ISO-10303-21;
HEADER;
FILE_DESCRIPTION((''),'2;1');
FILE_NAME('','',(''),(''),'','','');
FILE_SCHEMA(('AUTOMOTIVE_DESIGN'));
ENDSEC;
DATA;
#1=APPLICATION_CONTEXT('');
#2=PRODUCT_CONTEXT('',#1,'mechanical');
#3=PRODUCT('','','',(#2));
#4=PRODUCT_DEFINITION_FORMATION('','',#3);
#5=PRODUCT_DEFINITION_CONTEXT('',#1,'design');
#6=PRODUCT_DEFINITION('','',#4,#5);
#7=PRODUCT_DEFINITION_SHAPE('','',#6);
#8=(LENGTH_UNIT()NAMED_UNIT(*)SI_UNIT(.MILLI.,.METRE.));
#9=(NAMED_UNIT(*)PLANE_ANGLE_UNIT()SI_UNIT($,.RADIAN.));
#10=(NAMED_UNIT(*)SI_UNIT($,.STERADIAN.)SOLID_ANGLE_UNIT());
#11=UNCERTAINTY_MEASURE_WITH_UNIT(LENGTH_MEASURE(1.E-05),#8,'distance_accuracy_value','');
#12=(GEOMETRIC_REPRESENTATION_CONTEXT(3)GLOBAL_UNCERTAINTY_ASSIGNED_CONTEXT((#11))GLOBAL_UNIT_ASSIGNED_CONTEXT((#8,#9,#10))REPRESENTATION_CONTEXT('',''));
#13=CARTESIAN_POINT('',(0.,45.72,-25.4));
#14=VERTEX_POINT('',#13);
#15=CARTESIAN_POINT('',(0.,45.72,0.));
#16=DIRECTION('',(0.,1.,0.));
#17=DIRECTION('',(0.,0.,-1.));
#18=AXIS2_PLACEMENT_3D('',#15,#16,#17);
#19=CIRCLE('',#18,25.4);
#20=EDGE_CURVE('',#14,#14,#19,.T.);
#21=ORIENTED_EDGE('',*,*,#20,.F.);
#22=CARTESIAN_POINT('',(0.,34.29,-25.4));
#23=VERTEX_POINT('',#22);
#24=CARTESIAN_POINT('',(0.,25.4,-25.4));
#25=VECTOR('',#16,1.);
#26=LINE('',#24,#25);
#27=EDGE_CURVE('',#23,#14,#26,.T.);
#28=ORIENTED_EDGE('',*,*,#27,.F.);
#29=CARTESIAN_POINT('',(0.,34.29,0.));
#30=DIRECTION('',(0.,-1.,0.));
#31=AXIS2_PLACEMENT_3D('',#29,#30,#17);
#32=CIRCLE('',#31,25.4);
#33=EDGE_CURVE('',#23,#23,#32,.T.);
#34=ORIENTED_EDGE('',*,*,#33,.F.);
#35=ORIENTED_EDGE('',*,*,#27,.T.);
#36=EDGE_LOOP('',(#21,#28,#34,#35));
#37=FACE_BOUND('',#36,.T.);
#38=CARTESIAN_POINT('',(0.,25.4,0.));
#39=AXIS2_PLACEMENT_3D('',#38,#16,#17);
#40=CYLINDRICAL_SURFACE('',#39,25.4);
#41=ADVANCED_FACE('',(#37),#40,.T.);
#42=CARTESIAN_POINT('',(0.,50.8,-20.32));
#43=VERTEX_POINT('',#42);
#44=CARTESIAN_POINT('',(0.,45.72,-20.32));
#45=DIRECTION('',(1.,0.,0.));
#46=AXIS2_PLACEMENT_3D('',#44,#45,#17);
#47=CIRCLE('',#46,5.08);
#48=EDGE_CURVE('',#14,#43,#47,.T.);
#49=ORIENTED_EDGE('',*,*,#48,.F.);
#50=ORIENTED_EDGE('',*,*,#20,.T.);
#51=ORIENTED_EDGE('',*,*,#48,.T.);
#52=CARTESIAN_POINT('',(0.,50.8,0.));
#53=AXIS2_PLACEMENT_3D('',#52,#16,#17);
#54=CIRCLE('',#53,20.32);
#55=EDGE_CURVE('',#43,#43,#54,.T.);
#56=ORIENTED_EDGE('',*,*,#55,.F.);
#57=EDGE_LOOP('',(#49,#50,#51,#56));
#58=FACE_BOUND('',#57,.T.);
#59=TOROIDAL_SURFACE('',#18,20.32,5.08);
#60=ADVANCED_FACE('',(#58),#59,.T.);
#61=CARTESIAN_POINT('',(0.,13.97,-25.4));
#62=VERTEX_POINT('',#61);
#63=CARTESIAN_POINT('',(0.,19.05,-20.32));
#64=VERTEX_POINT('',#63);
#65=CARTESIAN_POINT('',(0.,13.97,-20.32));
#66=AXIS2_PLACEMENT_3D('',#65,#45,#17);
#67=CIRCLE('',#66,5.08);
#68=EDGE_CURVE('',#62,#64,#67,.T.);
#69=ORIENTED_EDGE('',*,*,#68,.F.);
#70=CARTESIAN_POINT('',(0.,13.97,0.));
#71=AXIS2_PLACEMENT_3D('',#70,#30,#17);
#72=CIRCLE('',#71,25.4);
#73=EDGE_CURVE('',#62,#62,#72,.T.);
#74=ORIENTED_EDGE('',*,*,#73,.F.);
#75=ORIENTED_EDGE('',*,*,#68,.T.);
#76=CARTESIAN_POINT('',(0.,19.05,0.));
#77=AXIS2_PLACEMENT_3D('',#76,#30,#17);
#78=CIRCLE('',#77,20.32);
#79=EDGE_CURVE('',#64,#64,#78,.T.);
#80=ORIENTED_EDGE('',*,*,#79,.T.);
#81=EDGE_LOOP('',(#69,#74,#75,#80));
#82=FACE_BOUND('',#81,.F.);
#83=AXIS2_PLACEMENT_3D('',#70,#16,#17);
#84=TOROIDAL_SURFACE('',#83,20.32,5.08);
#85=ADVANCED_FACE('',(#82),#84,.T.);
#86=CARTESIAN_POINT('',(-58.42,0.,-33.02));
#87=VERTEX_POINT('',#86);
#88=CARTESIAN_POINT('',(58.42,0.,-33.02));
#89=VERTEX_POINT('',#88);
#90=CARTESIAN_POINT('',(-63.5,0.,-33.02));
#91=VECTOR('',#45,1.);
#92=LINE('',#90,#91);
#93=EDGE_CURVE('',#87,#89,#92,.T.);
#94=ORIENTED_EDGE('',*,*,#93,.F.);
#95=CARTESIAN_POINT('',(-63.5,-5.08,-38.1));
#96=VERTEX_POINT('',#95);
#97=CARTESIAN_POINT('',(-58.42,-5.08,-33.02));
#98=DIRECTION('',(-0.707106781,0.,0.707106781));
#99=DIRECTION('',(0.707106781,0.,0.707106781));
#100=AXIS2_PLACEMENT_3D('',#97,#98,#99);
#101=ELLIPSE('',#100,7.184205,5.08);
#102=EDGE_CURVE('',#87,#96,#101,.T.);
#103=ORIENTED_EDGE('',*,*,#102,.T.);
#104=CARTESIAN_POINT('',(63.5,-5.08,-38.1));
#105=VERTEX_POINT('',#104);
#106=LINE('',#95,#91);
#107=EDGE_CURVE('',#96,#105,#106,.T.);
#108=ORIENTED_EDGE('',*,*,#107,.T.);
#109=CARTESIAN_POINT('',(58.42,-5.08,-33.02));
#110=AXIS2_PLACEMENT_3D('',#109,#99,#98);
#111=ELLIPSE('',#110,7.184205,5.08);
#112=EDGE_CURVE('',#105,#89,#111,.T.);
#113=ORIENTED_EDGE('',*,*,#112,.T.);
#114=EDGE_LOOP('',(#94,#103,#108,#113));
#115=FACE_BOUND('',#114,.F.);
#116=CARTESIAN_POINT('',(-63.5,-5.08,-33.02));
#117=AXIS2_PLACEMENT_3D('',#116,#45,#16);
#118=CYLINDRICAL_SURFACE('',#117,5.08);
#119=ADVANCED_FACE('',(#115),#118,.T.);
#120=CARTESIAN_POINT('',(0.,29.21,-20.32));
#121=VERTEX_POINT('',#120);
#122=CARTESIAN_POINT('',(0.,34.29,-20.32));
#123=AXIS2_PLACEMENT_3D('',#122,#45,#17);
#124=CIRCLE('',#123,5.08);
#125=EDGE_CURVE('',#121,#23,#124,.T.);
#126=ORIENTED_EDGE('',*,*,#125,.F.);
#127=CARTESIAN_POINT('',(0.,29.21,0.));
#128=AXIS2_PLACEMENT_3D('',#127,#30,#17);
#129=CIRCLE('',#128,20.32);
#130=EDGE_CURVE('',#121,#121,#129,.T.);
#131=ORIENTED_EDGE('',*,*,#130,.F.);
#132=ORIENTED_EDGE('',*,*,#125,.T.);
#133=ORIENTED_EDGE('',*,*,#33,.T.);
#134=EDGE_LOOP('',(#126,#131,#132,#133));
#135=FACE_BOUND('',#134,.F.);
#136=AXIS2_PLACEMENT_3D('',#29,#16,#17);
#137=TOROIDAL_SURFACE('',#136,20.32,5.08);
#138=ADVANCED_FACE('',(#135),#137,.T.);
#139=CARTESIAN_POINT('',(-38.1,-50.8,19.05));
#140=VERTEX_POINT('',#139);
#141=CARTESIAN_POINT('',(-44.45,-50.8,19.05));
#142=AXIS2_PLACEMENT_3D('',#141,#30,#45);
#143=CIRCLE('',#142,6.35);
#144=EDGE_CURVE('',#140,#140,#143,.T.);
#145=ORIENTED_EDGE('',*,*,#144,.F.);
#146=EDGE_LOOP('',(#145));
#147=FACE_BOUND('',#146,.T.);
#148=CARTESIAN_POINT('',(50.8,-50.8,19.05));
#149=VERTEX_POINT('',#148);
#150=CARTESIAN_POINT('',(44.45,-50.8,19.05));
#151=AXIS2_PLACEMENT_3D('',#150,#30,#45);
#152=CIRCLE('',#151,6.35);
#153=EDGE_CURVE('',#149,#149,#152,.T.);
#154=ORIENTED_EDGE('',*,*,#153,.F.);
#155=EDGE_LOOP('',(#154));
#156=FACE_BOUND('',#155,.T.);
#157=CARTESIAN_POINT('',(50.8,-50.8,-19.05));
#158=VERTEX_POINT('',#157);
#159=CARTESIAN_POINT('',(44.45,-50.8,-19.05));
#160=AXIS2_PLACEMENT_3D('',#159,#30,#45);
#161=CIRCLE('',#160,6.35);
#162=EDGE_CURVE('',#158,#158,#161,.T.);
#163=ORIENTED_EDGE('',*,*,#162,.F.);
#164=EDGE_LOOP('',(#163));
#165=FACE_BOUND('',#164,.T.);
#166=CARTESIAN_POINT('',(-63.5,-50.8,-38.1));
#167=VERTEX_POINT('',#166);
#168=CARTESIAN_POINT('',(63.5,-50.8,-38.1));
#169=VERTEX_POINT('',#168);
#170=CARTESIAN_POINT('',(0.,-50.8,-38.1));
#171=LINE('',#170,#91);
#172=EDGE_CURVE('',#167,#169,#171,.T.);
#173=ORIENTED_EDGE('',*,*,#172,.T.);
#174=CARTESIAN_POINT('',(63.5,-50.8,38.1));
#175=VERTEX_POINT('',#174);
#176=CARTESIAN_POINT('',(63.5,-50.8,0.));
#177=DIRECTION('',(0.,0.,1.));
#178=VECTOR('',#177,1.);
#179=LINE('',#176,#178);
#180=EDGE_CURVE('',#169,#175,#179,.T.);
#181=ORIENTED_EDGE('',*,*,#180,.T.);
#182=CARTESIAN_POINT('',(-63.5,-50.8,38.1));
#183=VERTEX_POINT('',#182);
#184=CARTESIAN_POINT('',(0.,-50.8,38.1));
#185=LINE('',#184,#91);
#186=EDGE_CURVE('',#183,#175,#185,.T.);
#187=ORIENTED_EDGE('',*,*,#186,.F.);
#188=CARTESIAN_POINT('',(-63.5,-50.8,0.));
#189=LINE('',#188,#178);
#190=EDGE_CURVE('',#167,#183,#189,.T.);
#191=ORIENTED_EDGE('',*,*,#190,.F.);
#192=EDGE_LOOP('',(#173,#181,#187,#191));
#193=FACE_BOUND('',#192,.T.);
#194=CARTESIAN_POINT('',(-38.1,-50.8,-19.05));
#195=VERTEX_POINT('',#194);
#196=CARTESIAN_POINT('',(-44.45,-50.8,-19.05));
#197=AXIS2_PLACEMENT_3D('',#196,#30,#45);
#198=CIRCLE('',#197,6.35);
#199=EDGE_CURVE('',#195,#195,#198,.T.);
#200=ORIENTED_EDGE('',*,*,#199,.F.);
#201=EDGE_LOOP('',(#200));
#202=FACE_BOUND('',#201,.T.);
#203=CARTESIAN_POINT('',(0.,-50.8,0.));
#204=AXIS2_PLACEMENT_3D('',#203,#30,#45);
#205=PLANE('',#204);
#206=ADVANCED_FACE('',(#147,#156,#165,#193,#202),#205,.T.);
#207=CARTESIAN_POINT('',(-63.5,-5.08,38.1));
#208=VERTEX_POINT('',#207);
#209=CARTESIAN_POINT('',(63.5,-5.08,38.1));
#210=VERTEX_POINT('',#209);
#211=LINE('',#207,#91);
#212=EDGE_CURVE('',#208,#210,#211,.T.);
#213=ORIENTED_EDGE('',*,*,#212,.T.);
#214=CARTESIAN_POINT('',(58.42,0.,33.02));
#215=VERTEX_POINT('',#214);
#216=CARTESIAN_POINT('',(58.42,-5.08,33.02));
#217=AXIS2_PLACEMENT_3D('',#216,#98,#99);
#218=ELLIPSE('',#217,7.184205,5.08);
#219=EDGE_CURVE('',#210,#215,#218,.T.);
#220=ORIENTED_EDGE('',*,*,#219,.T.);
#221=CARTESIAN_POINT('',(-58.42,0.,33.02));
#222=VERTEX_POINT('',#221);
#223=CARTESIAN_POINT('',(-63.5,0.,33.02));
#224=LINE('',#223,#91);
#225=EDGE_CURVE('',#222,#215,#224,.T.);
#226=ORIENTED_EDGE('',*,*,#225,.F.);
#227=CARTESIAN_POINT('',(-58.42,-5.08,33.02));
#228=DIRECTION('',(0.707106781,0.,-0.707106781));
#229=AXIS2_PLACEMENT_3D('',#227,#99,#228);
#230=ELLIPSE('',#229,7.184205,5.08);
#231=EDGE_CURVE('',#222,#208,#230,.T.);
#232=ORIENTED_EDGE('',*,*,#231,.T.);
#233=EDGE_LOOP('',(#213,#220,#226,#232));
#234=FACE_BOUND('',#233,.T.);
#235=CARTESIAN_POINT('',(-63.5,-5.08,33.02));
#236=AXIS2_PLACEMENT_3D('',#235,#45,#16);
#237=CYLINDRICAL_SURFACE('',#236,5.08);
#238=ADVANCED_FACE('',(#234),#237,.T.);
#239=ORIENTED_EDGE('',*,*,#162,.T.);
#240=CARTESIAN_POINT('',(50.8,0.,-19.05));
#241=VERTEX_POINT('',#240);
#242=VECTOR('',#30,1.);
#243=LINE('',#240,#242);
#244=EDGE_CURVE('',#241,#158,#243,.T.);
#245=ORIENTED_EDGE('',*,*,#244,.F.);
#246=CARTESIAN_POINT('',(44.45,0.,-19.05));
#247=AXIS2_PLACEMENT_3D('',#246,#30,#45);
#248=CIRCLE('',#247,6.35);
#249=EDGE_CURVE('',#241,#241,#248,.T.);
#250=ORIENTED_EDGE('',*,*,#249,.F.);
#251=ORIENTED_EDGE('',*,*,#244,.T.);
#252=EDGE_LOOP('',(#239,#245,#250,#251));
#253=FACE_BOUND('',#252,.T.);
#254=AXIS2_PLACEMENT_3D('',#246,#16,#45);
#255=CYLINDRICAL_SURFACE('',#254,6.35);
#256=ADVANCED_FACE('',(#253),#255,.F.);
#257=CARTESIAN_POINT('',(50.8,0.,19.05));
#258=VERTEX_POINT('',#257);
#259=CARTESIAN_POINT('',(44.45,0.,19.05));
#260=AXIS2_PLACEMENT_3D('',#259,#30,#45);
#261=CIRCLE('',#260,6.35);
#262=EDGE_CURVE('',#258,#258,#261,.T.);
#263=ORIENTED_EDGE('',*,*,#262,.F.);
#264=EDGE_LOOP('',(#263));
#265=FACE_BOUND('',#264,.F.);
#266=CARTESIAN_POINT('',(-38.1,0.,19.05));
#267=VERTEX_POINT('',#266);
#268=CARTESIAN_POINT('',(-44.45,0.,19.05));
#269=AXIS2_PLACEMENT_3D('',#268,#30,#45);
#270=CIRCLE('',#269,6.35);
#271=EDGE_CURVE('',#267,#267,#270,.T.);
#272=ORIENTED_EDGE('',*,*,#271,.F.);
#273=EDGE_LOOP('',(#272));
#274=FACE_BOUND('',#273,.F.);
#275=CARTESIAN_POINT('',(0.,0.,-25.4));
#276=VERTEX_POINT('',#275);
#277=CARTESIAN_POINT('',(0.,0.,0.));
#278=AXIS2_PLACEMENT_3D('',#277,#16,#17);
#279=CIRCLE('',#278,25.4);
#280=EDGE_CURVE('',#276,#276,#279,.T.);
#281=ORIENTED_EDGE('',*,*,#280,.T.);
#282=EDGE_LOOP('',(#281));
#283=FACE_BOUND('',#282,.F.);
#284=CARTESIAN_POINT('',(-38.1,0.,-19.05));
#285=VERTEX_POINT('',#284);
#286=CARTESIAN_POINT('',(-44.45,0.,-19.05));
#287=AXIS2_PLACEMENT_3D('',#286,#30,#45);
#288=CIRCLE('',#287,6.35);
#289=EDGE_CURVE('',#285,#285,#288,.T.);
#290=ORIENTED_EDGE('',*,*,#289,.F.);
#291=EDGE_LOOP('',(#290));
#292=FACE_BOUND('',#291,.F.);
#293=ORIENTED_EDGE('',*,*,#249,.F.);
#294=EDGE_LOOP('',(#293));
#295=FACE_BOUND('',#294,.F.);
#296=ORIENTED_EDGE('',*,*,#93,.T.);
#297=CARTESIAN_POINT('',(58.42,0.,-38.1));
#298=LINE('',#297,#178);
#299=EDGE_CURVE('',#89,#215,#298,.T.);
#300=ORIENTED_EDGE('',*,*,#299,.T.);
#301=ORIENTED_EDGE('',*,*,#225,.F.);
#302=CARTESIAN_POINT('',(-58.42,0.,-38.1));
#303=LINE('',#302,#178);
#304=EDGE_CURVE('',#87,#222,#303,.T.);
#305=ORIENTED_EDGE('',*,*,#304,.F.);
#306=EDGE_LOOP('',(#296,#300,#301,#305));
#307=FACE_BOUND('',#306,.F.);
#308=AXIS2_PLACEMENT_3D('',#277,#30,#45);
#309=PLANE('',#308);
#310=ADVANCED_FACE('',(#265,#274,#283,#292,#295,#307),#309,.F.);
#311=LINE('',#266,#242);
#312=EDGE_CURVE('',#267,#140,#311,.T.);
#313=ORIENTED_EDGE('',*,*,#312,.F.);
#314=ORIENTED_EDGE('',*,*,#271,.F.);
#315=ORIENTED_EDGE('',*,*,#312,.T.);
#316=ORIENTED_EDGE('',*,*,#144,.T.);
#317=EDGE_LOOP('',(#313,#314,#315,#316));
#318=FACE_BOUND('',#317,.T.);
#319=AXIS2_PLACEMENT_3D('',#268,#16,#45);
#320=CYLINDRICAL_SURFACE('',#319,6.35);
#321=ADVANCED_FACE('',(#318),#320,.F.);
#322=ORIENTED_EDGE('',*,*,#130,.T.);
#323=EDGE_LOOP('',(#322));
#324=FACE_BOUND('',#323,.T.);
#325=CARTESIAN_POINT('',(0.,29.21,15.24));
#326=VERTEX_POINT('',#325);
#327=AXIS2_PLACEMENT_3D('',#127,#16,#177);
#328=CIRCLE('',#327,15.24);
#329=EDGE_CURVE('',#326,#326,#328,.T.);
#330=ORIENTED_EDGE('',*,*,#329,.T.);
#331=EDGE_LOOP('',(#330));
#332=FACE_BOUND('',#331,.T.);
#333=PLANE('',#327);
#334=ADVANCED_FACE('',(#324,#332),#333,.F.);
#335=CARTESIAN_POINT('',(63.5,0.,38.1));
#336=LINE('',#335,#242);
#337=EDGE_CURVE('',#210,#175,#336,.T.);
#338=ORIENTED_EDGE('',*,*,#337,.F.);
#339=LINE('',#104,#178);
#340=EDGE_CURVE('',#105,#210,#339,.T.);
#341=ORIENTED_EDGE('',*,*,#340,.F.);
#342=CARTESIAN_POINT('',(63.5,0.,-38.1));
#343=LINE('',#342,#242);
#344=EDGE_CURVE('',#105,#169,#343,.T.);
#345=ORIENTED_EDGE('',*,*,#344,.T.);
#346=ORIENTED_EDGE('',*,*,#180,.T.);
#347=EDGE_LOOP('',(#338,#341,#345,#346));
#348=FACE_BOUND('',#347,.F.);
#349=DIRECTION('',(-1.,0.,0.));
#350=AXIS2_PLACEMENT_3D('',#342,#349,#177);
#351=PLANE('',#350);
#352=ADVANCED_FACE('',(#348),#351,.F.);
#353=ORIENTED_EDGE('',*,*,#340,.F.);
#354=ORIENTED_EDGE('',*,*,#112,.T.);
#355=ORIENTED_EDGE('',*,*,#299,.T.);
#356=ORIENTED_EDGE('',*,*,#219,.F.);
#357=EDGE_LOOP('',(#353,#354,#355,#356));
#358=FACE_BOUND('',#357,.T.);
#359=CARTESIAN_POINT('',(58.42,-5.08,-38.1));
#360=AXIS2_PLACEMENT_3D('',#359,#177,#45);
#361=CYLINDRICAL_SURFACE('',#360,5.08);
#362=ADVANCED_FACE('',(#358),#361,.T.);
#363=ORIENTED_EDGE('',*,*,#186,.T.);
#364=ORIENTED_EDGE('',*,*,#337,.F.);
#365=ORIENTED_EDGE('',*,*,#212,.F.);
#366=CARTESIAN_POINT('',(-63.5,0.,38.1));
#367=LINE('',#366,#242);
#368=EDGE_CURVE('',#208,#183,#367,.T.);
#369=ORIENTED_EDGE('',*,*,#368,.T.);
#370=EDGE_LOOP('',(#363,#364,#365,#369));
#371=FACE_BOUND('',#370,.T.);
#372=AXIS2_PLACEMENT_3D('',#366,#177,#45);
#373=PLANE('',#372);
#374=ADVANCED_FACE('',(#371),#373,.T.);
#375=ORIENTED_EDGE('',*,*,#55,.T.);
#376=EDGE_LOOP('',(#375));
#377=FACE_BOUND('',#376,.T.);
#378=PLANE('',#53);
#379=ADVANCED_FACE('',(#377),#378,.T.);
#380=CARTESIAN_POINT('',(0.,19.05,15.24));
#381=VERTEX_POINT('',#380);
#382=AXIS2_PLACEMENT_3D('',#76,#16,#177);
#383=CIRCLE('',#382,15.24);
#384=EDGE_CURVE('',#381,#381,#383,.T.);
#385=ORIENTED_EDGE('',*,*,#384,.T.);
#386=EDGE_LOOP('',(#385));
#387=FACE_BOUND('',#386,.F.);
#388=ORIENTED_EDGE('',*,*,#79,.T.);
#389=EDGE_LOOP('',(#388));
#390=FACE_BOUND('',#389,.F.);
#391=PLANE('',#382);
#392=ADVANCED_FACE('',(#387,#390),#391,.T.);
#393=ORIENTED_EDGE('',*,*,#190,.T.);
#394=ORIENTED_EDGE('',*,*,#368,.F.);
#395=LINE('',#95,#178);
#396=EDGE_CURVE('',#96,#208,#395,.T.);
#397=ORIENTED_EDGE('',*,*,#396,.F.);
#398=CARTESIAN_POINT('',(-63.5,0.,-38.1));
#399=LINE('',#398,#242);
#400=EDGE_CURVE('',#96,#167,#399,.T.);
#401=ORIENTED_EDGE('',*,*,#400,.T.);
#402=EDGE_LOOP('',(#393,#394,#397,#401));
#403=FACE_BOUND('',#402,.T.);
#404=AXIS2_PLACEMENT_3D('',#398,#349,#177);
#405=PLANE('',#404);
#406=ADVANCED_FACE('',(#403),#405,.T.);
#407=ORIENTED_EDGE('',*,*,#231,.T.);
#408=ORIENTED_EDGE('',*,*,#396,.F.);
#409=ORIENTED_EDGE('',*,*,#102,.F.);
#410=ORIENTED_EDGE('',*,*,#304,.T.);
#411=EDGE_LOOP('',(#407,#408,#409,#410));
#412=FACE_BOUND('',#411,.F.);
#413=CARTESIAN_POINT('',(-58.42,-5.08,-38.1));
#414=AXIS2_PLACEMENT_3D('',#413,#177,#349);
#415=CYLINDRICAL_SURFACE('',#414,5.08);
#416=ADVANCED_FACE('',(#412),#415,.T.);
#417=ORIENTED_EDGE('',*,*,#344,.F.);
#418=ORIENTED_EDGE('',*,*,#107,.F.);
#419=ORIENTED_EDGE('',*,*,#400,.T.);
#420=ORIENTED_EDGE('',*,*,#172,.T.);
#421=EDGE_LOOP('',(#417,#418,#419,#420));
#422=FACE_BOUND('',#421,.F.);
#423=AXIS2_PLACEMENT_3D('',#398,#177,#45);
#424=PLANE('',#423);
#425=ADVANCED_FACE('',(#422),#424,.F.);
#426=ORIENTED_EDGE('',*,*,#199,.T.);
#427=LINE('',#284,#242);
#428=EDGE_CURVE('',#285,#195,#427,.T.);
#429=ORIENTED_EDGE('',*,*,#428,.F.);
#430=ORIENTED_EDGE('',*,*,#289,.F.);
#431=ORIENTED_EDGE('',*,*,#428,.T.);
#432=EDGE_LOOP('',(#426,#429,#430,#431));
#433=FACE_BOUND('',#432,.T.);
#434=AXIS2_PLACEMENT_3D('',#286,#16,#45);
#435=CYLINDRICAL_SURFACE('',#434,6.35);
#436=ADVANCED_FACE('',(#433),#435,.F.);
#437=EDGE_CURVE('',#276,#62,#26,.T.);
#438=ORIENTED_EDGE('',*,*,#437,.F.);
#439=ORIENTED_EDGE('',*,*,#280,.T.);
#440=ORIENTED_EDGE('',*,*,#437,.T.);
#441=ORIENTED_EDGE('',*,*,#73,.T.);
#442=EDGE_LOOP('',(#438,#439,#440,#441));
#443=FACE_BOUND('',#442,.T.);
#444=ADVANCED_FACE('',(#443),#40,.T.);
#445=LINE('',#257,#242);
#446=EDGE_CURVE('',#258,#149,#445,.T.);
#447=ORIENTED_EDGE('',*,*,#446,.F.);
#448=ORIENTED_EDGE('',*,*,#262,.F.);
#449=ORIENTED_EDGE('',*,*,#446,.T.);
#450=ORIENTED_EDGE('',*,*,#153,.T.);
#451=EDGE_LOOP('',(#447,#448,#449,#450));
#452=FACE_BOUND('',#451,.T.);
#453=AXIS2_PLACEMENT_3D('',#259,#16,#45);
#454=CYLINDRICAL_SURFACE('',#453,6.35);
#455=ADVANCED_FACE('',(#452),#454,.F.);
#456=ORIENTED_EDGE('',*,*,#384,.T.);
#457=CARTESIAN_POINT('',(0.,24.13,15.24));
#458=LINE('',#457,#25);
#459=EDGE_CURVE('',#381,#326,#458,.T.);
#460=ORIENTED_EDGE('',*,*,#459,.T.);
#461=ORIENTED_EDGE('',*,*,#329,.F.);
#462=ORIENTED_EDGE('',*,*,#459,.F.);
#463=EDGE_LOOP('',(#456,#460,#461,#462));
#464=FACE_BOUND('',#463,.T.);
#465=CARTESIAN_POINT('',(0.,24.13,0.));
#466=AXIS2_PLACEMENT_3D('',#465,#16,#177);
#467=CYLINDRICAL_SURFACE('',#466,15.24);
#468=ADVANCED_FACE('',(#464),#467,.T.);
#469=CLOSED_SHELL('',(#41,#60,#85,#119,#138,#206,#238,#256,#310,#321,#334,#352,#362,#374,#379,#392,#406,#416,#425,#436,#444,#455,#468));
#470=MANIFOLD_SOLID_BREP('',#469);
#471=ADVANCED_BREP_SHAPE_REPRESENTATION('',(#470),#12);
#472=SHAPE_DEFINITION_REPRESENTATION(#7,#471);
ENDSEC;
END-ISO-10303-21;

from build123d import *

# Parameters (mm, degrees)
F0_W     = 127
F0_H     = 76.2
F0_R     = 6.35
F1_DEPTH = 50.8
F3_W     = 50.8
F3_H     = 25.4
F5_W     = 10.16
F5_H     = 10.16
F7_R     = 5.08


with BuildPart() as f1:
    # F0 (on Front) → F1 (new body)
    with BuildSketch(Plane.XZ):
        Rectangle(F0_W, F0_H)
        with Locations((-44.45, -19.05)):
            Circle(F0_R, mode=Mode.SUBTRACT)
        with Locations((44.45, -19.05)):
            Circle(F0_R, mode=Mode.SUBTRACT)
        with Locations((-44.45, 19.05)):
            Circle(F0_R, mode=Mode.SUBTRACT)
        with Locations((44.45, 19.05)):
            Circle(F0_R, mode=Mode.SUBTRACT)
    extrude(amount=F1_DEPTH)

    # F3 (on Right) → F4 (revolve)
    with BuildSketch(Plane.YZ):
        with Locations((25.4, -12.7)):
            Rectangle(F3_W, F3_H)
    revolve(axis=Axis((0, 25.4, 0), (0, 1, 0)))

    # F5 (on Right) → F6 (revolve, cut)
    with BuildSketch(Plane.YZ):
        with Locations((24.13, 20.32)):
            Rectangle(F5_W, F5_H)
    revolve(axis=Axis((0, 38.364865, 0), (0, 1, 0)), mode=Mode.SUBTRACT)

    # F7
    f7_edges = [f1.edges().sort_by_distance(p)[0] for p in [
        (63.5, 0, 0),
        (0, 0, 38.1),
        (0, 0, -38.1),
        (-63.5, 0, 0),
        (0, 19.05, 25.4),
        (0, 29.21, 25.4),
        (0, 50.8, 25.4),
    ]]
    fillet(f7_edges, radius=F7_R)


solid = f1.part
